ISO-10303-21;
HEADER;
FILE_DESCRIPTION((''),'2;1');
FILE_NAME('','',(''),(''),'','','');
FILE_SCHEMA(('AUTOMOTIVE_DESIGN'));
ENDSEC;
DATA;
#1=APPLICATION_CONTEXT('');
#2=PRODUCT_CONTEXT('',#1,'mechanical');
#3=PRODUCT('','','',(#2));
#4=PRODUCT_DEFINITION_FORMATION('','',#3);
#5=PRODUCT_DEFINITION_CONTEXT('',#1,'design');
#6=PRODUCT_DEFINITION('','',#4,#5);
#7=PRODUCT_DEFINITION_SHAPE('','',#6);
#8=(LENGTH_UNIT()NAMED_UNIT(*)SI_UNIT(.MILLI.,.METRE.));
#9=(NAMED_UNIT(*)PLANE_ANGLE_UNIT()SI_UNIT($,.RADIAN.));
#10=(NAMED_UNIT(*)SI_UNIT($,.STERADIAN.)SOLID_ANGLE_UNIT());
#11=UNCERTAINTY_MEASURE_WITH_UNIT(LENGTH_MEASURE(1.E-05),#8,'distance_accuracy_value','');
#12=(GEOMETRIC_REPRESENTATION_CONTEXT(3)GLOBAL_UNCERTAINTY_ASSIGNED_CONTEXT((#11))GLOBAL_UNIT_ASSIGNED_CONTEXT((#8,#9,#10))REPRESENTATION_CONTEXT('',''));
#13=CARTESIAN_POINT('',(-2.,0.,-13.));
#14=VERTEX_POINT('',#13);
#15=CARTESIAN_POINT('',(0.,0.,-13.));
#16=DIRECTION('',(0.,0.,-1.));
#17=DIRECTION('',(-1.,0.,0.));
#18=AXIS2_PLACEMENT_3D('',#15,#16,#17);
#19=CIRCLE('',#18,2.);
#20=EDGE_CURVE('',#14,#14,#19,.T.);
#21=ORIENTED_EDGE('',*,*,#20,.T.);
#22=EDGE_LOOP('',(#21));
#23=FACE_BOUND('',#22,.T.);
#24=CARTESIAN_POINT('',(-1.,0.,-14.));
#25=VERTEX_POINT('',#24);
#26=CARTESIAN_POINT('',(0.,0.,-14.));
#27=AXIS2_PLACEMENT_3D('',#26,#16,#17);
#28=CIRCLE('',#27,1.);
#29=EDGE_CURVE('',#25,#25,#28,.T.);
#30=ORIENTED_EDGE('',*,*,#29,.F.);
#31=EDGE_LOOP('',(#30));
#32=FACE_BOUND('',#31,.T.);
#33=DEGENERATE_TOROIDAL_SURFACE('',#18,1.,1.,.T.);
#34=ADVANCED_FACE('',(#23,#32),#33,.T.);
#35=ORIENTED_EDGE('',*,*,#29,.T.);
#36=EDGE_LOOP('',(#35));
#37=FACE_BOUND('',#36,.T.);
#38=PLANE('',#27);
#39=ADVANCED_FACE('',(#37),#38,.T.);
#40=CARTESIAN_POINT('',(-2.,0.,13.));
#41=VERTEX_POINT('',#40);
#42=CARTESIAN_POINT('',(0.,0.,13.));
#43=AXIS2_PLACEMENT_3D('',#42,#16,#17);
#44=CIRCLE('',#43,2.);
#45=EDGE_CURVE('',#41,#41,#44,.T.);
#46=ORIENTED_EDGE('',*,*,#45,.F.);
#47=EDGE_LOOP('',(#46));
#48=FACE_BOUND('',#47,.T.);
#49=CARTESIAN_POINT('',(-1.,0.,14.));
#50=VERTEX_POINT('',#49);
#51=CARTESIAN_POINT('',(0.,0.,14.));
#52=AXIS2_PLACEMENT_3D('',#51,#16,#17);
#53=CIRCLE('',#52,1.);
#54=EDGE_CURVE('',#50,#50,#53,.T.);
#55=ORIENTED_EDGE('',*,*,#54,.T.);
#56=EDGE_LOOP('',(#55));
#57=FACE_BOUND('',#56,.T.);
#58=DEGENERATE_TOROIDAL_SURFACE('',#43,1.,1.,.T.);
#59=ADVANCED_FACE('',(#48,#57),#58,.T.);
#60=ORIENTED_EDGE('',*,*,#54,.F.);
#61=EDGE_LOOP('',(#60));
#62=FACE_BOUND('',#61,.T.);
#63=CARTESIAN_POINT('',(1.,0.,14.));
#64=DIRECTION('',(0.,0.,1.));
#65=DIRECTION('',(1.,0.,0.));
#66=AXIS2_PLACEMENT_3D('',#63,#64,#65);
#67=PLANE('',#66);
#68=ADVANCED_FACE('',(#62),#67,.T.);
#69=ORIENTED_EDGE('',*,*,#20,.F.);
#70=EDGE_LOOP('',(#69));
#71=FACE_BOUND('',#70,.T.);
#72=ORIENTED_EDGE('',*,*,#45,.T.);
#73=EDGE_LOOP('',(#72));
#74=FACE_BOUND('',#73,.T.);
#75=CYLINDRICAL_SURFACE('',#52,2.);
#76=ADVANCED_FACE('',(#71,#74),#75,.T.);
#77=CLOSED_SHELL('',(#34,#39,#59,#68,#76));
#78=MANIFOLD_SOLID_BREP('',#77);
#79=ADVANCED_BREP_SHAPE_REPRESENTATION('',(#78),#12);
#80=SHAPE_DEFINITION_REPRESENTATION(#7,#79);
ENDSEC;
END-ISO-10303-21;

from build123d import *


with BuildPart() as part:
    # Sketch1 → Revolve1 (revolve)
    with BuildSketch(Plane.XZ, mode=Mode.PRIVATE) as revolve1_sk:
        with BuildLine():
            Line((1, 14), (0, 14))
            Line((0, 14), (0, -14))
            Line((0, -14), (1, -14))
            ThreePointArc((1, -14), (1.707106781, -13.707106781), (2, -13))
            Line((2, -13), (2, 13))
            ThreePointArc((2, 13), (1.707106781, 13.707106781), (1, 14))
        make_face()
    revolve(revolve1_sk.sketch.rotate(Axis((0, 0, 14), (0, 0, -1)), 180), axis=Axis((0, 0, 14), (0, 0, -1)))


solid = part.part
